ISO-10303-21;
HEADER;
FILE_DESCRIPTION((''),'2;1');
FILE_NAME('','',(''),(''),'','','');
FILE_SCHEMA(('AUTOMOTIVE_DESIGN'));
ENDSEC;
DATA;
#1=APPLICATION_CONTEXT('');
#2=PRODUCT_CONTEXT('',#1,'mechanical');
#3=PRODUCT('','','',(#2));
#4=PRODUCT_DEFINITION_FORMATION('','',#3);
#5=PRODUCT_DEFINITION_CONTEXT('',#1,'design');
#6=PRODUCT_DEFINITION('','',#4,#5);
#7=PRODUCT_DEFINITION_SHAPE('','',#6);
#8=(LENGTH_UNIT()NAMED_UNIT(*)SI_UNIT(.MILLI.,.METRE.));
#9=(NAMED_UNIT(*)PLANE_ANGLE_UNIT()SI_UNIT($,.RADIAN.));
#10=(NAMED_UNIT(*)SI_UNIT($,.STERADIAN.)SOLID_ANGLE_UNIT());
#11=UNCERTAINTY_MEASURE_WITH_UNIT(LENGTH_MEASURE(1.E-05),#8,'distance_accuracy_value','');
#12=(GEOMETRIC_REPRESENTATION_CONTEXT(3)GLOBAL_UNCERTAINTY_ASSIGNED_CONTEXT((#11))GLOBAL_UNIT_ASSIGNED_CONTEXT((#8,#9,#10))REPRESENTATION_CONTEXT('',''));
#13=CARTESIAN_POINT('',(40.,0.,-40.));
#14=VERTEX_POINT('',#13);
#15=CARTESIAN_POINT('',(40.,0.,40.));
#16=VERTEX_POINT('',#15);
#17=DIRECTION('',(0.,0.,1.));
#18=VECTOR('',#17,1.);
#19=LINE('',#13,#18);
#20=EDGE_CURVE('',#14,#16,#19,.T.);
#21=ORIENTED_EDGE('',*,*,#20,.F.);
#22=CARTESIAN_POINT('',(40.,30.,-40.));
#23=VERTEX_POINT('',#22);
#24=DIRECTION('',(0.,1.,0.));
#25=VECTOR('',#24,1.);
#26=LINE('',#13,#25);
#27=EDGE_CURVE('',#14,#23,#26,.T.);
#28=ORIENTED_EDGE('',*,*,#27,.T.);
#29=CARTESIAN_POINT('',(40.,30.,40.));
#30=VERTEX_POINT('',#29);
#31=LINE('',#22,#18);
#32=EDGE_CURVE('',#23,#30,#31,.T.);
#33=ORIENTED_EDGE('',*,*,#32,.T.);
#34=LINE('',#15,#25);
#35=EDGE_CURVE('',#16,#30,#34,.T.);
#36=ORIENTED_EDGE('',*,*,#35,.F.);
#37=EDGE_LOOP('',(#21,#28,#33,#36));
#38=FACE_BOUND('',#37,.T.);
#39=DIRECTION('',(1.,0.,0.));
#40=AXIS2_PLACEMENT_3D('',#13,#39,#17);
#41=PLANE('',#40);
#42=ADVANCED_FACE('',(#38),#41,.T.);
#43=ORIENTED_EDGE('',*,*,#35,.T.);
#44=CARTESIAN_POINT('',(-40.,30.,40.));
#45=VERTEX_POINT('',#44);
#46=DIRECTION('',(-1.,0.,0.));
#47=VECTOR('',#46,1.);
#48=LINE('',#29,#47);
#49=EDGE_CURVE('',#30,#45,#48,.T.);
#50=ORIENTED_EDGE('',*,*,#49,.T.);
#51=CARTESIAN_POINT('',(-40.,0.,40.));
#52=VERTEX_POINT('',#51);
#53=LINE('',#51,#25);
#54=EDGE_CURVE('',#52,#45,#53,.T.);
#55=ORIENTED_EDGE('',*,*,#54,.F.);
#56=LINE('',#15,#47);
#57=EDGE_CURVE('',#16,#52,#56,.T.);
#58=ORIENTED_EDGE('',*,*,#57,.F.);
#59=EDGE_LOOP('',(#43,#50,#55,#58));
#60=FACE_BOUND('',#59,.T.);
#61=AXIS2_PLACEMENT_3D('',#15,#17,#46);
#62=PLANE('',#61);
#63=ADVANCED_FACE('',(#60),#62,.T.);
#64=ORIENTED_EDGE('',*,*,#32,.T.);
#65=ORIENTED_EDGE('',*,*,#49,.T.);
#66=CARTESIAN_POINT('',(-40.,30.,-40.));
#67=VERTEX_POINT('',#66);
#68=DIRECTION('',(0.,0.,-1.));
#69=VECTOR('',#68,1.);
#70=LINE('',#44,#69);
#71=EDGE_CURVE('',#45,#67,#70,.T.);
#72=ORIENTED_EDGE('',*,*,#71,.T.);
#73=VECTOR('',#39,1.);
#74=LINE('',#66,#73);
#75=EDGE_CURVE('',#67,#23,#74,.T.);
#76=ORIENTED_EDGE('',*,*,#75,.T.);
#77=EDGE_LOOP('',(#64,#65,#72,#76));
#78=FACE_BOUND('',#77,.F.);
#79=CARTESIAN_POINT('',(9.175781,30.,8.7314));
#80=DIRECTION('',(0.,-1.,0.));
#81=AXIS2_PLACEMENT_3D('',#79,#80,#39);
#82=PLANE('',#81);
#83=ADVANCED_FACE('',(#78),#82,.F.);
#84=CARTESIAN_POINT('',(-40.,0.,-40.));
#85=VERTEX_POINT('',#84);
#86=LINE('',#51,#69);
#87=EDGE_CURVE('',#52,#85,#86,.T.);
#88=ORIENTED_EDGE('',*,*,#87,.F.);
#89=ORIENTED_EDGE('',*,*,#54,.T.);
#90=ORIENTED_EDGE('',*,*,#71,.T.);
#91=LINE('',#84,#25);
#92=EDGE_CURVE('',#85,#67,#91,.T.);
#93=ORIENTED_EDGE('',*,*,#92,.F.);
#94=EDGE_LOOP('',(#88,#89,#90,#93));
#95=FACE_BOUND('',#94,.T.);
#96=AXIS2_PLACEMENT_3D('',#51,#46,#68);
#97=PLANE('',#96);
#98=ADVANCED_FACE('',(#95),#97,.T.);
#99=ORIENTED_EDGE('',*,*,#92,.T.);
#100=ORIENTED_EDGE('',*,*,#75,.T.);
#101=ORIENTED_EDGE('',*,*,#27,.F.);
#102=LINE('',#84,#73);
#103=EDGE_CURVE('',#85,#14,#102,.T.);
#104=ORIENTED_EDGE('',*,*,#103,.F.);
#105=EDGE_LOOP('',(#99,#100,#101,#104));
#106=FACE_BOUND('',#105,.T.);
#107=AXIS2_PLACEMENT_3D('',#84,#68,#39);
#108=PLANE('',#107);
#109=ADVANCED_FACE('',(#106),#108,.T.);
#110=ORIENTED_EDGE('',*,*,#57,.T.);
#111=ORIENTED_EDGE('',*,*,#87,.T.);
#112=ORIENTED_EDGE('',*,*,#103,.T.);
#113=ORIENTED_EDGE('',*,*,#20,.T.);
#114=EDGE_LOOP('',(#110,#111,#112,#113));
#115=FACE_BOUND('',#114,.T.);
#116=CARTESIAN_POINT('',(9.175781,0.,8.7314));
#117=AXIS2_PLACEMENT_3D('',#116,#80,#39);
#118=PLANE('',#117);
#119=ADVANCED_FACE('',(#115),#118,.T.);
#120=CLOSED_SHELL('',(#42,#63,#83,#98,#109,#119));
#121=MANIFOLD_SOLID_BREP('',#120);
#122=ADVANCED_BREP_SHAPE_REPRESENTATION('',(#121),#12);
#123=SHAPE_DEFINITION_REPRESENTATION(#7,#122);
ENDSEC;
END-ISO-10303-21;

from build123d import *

# Parameters (mm, degrees)
F1_DEPTH = 30


with BuildPart() as f1:
    # F0 (on Front) → F1 (new body)
    with BuildSketch(Plane.XZ):
        with BuildLine():
            Line((40, 40), (-40, 40))
            Line((-40, 40), (-40, 20))
            Line((-40, 20), (-18.658292, 20))
            ThreePointArc((-18.658292, 20), (-0.855806, 14.146873), (10, -1.128568))
            Line((10, -1.128568), (10, -40))
            Line((10, -40), (40, -40))
            Line((40, -40), (40, 40))
        make_face()
        with BuildLine():
            Line((-18.658292, 20), (-40, 20))
            Line((-40, 20), (-40, -20))
            ThreePointArc((-40, -20), (-22.618751, -26.428126), (-10, -40))
            Line((-10, -40), (10, -40))
            Line((10, -40), (10, -1.128568))
            ThreePointArc((10, -1.128568), (-0.855806, 14.146873), (-18.658292, 20))
        make_face()
        with BuildLine():
            ThreePointArc((-10, -40), (-22.618751, -26.428126), (-40, -20))
            Line((-40, -20), (-40, -40))
            Line((-40, -40), (-10, -40))
        make_face()
    extrude(amount=-F1_DEPTH)


solid = f1.part
